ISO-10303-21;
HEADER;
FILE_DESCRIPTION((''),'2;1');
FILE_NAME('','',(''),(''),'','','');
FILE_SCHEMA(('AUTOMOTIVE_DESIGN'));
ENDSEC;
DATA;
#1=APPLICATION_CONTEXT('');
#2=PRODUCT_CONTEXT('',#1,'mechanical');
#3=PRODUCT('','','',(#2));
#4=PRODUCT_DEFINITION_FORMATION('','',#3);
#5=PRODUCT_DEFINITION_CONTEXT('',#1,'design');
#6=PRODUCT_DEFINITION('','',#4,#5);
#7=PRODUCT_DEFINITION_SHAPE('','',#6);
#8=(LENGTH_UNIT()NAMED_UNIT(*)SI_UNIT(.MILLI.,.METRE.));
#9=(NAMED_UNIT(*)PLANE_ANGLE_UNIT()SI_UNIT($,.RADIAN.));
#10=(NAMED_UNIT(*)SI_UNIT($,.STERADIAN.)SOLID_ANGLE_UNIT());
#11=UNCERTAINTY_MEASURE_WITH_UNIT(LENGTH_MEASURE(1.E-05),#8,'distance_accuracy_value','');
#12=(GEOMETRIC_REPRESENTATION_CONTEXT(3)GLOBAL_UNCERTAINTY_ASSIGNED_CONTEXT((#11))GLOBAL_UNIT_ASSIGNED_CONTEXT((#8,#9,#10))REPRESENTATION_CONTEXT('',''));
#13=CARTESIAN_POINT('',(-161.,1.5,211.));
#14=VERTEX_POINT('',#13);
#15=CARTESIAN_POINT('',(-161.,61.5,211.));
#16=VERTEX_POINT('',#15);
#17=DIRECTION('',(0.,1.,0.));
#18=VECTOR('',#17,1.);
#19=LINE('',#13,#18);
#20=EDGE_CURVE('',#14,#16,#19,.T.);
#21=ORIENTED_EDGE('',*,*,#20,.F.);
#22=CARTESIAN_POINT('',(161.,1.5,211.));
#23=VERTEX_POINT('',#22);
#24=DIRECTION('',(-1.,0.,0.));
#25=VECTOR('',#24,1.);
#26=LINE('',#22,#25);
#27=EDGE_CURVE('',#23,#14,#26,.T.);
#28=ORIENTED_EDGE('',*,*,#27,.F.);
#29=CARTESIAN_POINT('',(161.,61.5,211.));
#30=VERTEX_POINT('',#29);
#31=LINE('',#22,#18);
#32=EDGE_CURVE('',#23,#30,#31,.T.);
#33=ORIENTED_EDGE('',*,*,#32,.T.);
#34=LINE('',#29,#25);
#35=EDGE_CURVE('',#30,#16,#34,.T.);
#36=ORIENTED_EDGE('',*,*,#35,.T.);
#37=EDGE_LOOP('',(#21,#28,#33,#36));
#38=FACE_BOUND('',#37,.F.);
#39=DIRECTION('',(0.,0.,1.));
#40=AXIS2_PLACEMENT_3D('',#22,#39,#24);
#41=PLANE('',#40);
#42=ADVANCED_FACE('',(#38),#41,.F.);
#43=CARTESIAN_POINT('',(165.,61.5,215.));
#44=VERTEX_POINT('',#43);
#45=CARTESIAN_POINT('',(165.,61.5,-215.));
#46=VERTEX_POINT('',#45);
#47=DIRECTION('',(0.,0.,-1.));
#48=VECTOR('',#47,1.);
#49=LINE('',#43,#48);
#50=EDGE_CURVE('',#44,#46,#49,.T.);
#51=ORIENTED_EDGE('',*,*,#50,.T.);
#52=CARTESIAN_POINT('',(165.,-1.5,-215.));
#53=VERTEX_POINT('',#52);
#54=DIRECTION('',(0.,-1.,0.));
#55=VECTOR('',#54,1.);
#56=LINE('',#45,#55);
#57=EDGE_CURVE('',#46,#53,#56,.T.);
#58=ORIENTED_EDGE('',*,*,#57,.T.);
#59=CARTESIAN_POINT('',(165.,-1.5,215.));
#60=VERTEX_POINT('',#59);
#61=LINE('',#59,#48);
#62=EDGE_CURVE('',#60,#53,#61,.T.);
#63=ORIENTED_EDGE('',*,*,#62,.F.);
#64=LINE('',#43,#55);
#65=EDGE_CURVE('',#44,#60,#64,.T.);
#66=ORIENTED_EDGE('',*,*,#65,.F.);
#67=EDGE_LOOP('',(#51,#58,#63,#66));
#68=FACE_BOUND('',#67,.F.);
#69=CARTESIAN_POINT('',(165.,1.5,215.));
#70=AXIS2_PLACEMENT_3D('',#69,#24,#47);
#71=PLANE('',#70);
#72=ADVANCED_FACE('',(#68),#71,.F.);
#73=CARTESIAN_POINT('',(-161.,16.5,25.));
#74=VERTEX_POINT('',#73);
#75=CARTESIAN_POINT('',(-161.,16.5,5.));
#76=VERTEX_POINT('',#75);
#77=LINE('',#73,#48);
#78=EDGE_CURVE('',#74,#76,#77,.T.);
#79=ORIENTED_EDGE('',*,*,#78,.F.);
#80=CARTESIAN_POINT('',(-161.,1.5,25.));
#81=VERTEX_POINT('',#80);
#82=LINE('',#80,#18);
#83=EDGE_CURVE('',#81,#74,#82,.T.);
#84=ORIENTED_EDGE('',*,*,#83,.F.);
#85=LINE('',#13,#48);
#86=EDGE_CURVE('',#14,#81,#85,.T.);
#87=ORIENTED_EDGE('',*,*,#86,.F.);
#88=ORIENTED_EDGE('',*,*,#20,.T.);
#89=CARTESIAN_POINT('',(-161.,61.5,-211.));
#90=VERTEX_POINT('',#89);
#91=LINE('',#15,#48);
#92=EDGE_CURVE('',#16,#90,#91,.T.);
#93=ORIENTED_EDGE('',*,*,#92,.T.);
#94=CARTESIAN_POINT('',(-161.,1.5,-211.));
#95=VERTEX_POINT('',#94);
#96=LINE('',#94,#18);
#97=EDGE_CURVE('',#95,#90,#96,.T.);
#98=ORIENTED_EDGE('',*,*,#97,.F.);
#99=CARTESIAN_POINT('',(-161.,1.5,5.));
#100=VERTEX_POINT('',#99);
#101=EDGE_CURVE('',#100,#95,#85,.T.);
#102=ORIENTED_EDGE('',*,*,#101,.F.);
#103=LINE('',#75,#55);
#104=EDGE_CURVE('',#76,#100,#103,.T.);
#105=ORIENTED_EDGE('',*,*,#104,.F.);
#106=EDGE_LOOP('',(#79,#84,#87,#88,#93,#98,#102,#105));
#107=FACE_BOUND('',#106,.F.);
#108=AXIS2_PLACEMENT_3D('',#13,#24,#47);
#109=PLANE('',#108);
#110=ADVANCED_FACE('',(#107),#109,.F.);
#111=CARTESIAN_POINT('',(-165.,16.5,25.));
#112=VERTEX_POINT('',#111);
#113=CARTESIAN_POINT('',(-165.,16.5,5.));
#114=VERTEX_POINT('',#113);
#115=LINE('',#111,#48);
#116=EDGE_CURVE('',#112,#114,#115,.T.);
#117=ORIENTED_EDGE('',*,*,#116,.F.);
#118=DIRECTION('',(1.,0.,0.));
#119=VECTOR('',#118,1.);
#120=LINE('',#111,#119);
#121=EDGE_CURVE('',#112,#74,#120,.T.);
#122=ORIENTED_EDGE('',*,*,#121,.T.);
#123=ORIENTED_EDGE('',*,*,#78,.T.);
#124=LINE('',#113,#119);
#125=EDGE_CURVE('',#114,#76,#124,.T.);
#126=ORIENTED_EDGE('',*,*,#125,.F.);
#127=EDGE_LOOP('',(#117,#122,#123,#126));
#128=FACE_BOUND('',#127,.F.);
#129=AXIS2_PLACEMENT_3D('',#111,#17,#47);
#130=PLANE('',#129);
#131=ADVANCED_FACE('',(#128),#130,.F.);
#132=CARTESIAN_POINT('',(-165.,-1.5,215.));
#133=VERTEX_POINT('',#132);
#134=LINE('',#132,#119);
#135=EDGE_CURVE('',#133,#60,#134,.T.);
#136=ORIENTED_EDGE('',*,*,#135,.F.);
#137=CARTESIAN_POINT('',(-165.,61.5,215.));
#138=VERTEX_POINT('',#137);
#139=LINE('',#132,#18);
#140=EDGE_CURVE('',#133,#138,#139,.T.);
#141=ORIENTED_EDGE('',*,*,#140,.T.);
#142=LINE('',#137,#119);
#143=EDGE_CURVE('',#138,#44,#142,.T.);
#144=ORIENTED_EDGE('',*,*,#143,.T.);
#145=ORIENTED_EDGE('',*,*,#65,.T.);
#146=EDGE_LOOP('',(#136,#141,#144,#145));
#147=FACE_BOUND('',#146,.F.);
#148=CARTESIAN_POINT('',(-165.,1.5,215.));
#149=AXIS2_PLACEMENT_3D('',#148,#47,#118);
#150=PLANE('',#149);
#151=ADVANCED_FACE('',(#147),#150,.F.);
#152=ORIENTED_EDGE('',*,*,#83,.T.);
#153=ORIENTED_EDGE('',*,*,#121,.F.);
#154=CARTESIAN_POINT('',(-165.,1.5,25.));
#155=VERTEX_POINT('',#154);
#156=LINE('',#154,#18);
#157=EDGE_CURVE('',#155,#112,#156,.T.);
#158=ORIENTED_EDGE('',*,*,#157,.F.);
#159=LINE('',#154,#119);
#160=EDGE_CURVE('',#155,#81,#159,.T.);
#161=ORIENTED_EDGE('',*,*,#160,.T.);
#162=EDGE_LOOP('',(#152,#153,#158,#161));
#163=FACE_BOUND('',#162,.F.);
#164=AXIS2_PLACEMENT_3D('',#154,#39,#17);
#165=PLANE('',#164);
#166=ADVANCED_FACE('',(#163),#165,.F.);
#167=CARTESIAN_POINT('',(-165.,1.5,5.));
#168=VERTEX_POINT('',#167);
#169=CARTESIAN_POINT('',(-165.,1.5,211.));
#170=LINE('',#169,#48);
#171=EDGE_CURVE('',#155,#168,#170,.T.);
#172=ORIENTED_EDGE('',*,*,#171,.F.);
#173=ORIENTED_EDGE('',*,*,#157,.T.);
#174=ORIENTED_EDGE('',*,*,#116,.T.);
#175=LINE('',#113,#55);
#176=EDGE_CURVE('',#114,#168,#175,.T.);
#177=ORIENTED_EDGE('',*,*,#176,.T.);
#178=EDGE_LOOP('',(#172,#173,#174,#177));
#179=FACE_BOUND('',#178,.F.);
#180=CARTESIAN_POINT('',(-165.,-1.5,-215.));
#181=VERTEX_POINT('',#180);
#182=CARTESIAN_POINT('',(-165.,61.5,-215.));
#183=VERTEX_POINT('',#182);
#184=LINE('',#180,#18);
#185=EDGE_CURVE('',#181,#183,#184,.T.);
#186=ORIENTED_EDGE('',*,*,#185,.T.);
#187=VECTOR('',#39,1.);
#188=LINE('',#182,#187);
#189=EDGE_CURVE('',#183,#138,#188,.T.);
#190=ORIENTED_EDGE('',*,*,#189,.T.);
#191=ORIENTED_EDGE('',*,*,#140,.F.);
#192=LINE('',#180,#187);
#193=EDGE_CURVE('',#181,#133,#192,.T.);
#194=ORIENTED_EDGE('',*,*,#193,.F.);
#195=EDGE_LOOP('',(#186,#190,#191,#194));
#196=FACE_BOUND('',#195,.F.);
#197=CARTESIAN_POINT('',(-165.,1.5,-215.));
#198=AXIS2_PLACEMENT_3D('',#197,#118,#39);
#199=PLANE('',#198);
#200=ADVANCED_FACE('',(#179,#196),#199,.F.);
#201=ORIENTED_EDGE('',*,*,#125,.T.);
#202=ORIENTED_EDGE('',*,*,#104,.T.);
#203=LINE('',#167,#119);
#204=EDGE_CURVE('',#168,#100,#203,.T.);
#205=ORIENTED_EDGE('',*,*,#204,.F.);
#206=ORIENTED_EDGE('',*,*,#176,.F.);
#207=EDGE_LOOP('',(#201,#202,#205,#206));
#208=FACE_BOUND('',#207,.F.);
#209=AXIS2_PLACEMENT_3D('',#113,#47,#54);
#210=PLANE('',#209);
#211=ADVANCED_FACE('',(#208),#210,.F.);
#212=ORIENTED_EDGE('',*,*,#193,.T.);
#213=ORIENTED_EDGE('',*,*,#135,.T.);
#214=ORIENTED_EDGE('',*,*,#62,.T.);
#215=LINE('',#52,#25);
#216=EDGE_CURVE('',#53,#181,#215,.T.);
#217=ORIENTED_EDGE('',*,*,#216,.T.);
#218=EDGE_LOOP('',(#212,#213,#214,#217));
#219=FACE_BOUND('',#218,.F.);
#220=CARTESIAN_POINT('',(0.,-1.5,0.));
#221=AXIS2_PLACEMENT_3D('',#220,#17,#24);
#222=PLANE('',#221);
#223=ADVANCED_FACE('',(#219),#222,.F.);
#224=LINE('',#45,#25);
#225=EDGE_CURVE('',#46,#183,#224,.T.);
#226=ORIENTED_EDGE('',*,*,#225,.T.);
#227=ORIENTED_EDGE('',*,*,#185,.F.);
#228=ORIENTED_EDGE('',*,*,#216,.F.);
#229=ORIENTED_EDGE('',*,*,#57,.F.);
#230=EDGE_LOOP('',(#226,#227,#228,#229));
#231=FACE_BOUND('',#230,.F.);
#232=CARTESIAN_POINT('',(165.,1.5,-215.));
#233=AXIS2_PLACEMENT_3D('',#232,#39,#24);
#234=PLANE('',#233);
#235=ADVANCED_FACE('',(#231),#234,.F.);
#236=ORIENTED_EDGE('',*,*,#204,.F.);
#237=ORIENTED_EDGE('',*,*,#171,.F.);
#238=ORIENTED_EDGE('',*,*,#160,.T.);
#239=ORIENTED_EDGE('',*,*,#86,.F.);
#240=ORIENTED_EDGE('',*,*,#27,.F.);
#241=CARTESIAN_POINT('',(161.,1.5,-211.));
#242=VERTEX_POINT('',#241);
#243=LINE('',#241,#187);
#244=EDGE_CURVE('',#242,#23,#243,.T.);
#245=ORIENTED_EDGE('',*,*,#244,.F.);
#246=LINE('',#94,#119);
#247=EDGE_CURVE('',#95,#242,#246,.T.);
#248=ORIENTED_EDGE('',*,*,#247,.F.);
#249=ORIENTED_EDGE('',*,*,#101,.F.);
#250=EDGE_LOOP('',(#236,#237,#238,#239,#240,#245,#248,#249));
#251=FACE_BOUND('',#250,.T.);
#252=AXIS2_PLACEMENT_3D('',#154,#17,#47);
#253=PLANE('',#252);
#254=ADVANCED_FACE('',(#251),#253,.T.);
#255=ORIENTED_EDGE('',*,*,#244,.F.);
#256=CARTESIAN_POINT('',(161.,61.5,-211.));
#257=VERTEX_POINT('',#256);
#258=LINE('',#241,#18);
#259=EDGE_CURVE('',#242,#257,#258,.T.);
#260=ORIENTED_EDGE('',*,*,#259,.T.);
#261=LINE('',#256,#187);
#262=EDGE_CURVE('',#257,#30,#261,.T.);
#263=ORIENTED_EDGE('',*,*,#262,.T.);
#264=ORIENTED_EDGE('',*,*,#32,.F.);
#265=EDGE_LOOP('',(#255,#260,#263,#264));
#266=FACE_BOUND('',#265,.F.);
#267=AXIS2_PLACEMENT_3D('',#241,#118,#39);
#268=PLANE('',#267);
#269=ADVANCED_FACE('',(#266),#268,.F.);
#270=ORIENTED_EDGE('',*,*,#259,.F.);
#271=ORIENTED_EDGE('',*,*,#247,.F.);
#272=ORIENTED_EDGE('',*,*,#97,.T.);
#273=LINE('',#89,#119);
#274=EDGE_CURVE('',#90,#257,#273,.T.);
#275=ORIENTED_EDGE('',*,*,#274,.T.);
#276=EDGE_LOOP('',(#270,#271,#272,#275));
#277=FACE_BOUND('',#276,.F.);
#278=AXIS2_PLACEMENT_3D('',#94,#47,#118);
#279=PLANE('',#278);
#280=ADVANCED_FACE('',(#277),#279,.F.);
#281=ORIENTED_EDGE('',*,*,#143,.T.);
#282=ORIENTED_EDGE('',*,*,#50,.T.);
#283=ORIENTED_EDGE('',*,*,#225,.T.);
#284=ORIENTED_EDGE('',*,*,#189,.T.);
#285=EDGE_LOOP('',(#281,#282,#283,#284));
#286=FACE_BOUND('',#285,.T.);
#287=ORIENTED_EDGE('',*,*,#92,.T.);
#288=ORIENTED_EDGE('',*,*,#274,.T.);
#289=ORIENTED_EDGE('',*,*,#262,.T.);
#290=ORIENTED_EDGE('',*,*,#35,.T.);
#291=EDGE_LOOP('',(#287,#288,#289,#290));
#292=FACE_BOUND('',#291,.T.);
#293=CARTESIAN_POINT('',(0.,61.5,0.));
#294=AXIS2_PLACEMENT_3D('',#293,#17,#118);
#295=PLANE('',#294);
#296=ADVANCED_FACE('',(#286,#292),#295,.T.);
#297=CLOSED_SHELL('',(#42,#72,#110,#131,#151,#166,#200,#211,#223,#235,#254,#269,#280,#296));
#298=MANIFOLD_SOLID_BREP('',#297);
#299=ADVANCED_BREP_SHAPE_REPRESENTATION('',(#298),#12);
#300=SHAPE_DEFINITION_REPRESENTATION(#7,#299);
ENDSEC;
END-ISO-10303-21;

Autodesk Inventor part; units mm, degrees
ref_plane "YZ Plane" through (0, 0, 0) normal (1, 0, 0) x (0, 1, 0)
ref_plane "XZ Plane" through (0, 0, 0) normal (0, 1, 0) x (-1, 0, 0)
ref_plane "XY Plane" through (0, 0, 0) normal (0, 0, 1) x (1, 0, 0)
sketch "Szkic1" plane through (0, 0, 0) normal (0, 1, 0) x (-1, 0, 0)
  line L0 (-165, -215) -> (165, -215)
  line L1 (165, -215) -> (165, 215)
  line L2 (165, 215) -> (-165, 215)
  line L3 (-165, 215) -> (-165, -215)
  line L4 (-165, -215) -> (165, 215) construction
  line L5 (165, -215) -> (-165, 215) construction
  point P0 (0, 0)
  dimension "d0" = 430
  dimension "d1" = 330
extrude "Wyciągnięcie proste1" add sketch "Szkic1" along normal mid plane 3
sketch "Szkic2" plane through (0, 1.5, 0) normal (0, 1, 0) x (1, 0, 0)
  line L0 (161, -211) -> (-161, -211)
  line L1 (-161, -211) -> (-161, 211)
  line L2 (-161, 211) -> (161, 211)
  line L3 (161, 211) -> (161, -211)
  line L4 (161, -211) -> (-161, 211) construction
  line L5 (-161, -211) -> (161, 211) construction
  line L6 (-165, 215) -> (-165, -215) projected
  line L7 (-165, -215) -> (165, -215) projected
  line L8 (165, -215) -> (165, 215) projected
  line L9 (165, 215) -> (-165, 215) projected
  point P0 (0, 0)
  dimension "d4" = 322
  dimension "d5" = 422
extrude "Wyciągnięcie proste2" add sketch "Szkic2" along normal blind 60
sketch "Szkic4" plane through (-165, -1.5, -215) normal (-1, 0, 0) x (0, 0, 1)
  line L0 (426, 3) -> (4, 3) projected
  line L1 (220, 3) -> (240, 3)
  line L2 (240, 3) -> (240, 18)
  line L3 (240, 18) -> (220, 18)
  line L4 (220, 18) -> (220, 3)
  line L5 (430, 0) -> (430, 63) projected
  point P0 (215, 1.5)
  dimension "d13" = 20
  dimension "d14" = 15
  dimension "d15" = 190
extrude "Wyciągnięcie proste4" cut sketch "Szkic4" against normal up to surface (4 mm away)
properties part number "BaseFloor"
